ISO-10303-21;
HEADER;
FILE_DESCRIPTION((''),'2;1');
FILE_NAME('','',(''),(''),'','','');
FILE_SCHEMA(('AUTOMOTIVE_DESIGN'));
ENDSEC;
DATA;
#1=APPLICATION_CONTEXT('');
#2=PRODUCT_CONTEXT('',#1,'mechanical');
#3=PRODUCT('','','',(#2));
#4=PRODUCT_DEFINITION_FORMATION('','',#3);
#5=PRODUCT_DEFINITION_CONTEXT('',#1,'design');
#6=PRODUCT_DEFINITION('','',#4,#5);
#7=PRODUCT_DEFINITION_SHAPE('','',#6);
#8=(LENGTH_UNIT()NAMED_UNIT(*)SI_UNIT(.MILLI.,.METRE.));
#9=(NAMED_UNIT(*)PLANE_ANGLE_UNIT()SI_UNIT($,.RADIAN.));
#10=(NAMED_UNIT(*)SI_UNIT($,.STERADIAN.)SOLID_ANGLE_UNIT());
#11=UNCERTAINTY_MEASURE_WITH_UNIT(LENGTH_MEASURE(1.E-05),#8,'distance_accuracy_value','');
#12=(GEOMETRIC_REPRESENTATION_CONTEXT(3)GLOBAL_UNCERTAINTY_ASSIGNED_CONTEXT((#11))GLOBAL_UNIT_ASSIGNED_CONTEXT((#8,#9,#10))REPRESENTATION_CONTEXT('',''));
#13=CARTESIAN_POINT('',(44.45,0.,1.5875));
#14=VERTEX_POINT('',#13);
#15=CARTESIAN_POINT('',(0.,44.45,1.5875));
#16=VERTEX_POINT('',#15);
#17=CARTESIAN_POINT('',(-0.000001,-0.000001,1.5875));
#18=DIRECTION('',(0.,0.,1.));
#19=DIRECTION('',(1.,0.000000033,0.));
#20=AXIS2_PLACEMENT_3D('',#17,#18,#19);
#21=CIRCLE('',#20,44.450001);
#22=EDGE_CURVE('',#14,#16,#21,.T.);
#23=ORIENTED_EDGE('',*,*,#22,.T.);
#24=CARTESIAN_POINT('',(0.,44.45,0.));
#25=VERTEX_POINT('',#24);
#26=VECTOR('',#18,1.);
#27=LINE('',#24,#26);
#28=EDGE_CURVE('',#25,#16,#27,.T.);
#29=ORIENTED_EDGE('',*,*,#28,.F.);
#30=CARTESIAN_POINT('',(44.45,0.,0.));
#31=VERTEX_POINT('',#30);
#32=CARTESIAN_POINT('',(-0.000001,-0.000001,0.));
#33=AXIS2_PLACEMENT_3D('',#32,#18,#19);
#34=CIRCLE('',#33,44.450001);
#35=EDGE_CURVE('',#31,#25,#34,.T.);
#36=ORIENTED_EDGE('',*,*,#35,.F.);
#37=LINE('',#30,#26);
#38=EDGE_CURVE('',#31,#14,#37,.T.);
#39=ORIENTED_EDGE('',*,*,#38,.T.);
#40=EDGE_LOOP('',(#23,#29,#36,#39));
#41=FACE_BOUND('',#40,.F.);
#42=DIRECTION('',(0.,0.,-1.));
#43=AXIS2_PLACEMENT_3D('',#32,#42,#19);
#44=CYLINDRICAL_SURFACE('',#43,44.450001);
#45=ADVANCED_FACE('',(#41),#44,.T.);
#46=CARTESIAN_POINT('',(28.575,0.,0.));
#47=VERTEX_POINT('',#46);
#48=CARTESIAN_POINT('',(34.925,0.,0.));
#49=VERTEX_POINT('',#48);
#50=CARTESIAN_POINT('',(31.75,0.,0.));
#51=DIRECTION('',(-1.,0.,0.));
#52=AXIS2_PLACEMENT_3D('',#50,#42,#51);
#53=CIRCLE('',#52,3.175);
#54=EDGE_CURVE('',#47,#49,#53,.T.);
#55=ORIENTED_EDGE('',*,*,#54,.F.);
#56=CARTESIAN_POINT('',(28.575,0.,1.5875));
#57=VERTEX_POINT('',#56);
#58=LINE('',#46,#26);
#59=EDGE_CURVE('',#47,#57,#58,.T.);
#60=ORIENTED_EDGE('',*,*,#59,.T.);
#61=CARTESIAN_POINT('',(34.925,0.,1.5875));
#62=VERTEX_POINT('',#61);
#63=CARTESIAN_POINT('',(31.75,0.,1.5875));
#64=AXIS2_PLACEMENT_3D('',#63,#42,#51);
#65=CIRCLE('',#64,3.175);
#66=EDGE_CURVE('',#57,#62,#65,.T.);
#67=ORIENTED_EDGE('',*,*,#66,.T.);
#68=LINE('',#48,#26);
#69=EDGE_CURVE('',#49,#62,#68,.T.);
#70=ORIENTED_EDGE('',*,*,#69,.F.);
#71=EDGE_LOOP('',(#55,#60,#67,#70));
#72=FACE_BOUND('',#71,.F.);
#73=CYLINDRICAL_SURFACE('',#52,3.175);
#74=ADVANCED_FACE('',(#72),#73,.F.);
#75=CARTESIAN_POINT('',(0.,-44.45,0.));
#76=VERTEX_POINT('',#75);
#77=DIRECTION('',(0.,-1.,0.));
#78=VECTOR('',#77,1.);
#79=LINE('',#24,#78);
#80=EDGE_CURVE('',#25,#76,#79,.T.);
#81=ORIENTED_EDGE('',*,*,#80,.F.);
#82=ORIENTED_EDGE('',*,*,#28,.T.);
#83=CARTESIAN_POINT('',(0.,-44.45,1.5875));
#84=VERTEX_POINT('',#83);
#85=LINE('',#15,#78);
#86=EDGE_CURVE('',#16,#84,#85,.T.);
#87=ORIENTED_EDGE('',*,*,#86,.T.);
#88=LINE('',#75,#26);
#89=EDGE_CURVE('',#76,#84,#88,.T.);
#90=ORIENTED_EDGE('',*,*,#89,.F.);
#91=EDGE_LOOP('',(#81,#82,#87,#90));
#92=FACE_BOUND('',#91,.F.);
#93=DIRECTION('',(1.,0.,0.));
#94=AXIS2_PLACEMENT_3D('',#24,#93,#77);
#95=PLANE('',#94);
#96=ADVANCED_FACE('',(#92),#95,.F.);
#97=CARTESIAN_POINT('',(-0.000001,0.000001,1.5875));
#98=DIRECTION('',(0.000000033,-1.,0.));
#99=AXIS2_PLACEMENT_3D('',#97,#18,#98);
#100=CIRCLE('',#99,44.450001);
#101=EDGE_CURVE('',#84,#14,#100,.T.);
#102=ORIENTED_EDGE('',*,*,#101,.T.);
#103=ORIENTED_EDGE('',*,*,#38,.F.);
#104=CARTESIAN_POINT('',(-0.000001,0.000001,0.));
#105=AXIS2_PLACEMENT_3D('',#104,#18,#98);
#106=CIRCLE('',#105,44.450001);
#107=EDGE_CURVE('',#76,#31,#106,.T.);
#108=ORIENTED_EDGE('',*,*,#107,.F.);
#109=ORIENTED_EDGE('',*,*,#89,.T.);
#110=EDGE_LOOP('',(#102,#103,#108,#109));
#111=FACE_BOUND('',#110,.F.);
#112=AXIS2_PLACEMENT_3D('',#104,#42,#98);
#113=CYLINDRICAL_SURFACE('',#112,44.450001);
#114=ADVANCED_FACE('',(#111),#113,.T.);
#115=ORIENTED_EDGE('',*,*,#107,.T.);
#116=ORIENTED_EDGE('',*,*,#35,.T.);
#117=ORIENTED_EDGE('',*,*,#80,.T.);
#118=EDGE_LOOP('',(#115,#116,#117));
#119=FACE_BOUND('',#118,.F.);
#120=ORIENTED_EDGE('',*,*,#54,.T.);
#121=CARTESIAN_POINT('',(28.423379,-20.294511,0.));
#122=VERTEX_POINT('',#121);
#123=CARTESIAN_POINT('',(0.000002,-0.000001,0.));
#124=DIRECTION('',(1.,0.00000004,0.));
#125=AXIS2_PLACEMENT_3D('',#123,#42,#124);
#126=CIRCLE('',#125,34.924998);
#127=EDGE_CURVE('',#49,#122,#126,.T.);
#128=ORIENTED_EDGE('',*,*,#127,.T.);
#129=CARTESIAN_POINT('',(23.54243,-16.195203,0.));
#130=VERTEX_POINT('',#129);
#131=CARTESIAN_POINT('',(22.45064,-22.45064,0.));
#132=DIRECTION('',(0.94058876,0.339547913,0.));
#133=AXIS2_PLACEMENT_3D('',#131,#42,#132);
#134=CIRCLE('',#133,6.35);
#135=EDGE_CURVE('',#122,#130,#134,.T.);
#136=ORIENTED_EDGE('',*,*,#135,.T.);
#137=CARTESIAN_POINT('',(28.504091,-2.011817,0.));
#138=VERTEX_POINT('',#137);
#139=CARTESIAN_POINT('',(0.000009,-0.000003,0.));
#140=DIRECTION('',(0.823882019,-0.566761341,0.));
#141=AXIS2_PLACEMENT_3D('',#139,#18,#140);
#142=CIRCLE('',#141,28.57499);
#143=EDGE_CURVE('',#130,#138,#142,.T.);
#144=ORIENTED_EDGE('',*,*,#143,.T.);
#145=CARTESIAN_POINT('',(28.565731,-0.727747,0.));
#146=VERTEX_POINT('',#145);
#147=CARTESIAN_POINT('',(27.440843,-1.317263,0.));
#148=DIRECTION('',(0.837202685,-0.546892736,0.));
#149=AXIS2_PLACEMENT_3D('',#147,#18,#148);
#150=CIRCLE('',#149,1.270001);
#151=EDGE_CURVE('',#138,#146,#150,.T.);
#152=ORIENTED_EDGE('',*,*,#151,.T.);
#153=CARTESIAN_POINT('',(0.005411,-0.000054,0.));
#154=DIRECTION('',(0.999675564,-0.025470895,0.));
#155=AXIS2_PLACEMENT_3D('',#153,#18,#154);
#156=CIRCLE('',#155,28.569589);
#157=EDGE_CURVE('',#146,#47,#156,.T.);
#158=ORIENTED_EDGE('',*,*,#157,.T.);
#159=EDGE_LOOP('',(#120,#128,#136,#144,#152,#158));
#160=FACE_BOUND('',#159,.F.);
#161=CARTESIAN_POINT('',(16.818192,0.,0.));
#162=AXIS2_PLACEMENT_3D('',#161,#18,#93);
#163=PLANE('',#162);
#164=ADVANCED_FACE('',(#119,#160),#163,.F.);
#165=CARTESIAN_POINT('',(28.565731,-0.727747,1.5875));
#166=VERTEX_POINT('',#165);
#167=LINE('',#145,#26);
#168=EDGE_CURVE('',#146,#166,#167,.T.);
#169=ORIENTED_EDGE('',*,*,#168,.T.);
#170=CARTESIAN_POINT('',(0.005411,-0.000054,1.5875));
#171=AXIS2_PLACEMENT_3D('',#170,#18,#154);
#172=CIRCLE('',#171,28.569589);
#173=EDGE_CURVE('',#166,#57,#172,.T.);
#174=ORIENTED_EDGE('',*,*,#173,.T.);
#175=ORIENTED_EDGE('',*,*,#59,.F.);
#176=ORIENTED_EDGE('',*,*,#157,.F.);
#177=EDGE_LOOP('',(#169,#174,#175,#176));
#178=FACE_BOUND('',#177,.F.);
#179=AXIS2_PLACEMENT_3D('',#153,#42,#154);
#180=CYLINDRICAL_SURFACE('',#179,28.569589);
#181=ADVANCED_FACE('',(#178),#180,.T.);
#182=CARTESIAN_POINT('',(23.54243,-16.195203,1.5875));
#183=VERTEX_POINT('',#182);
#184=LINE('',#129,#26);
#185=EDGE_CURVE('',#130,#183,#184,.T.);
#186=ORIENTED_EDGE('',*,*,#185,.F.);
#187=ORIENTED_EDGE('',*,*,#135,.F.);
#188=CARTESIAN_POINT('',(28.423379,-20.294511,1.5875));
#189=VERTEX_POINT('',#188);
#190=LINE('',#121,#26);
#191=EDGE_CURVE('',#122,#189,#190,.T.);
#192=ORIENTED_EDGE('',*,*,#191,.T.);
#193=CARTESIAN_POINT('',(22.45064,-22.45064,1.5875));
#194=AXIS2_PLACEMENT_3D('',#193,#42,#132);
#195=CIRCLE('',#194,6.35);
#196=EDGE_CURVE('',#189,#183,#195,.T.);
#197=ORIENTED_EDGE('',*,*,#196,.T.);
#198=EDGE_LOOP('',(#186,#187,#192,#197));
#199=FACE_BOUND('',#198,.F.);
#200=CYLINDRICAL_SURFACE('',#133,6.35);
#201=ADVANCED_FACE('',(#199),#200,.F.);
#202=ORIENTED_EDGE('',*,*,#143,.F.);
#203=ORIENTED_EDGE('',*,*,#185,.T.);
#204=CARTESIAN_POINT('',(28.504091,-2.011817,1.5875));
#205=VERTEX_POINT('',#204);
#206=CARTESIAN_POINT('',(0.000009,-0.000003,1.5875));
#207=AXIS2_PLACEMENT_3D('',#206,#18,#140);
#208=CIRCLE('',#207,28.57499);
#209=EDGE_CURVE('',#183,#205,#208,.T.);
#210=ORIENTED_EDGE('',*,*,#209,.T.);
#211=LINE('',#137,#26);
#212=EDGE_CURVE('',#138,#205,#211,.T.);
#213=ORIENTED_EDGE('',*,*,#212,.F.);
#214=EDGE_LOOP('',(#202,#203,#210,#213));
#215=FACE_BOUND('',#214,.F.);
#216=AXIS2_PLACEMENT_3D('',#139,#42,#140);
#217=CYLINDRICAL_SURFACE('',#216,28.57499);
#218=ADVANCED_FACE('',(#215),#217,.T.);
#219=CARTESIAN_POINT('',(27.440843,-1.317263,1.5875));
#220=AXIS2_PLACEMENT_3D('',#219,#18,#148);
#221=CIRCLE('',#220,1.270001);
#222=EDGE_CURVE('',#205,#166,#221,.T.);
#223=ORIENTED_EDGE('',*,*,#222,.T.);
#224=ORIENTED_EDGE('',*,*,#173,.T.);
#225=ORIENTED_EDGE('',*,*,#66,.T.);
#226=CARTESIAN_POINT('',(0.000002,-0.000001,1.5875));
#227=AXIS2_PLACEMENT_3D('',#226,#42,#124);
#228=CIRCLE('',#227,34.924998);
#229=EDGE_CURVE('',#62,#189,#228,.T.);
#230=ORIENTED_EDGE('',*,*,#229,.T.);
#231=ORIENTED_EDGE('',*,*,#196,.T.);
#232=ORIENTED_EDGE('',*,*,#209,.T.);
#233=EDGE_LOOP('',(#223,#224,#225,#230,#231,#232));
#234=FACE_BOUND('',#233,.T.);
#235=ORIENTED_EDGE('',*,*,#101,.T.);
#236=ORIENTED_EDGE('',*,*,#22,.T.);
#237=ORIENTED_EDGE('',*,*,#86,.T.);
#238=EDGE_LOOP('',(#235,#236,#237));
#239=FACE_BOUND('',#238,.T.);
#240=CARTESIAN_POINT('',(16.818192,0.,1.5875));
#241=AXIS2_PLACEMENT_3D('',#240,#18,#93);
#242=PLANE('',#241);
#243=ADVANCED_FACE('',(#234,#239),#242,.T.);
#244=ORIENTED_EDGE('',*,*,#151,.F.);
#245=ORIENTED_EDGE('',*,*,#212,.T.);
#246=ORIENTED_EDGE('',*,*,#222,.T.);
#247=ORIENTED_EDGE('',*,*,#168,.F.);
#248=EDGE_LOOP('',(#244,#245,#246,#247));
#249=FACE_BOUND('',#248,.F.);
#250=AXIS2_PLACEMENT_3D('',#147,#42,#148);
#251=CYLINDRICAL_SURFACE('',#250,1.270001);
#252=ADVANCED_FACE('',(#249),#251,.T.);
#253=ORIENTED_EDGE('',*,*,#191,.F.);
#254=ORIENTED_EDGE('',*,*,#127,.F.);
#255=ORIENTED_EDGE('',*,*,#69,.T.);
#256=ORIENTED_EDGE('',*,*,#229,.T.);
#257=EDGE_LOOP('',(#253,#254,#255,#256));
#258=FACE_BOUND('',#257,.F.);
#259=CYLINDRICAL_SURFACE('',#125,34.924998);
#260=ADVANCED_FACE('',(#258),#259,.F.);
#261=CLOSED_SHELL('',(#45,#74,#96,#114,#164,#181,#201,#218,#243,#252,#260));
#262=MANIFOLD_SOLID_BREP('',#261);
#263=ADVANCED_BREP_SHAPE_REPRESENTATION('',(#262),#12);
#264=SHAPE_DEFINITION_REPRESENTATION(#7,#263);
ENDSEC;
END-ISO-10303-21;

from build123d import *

# Parameters (mm, degrees)
F1_DEPTH = 1.5875


with BuildPart() as f1:
    # F0 (on Top) → F1 (new body)
    with BuildSketch(Plane.XY):
        with BuildLine():
            ThreePointArc((0, -44.45), (31.430896, -31.430896), (44.45, 0))
            ThreePointArc((44.45, 0), (31.430896, 31.430896), (0, 44.45))
            Line((0, 44.45), (0, -44.45))
        make_face()
        with BuildLine():
            ThreePointArc((28.575, 0), (31.75, 3.175), (34.925, 0))
            ThreePointArc((34.925, 0), (33.259902, -10.65526), (28.423379, -20.294511))
            ThreePointArc((28.423379, -20.294511), (18.366773, -27.313204), (23.54243, -16.195203))
            ThreePointArc((23.54243, -16.195203), (26.972249, -9.435487), (28.504091, -2.011817))
            ThreePointArc((28.504091, -2.011817), (28.709383, -1.378157), (28.565731, -0.727747))
            ThreePointArc((28.565731, -0.727747), (28.572683, -0.363903), (28.575, 0))
        make_face(mode=Mode.SUBTRACT)
    extrude(amount=F1_DEPTH)


solid = f1.part
